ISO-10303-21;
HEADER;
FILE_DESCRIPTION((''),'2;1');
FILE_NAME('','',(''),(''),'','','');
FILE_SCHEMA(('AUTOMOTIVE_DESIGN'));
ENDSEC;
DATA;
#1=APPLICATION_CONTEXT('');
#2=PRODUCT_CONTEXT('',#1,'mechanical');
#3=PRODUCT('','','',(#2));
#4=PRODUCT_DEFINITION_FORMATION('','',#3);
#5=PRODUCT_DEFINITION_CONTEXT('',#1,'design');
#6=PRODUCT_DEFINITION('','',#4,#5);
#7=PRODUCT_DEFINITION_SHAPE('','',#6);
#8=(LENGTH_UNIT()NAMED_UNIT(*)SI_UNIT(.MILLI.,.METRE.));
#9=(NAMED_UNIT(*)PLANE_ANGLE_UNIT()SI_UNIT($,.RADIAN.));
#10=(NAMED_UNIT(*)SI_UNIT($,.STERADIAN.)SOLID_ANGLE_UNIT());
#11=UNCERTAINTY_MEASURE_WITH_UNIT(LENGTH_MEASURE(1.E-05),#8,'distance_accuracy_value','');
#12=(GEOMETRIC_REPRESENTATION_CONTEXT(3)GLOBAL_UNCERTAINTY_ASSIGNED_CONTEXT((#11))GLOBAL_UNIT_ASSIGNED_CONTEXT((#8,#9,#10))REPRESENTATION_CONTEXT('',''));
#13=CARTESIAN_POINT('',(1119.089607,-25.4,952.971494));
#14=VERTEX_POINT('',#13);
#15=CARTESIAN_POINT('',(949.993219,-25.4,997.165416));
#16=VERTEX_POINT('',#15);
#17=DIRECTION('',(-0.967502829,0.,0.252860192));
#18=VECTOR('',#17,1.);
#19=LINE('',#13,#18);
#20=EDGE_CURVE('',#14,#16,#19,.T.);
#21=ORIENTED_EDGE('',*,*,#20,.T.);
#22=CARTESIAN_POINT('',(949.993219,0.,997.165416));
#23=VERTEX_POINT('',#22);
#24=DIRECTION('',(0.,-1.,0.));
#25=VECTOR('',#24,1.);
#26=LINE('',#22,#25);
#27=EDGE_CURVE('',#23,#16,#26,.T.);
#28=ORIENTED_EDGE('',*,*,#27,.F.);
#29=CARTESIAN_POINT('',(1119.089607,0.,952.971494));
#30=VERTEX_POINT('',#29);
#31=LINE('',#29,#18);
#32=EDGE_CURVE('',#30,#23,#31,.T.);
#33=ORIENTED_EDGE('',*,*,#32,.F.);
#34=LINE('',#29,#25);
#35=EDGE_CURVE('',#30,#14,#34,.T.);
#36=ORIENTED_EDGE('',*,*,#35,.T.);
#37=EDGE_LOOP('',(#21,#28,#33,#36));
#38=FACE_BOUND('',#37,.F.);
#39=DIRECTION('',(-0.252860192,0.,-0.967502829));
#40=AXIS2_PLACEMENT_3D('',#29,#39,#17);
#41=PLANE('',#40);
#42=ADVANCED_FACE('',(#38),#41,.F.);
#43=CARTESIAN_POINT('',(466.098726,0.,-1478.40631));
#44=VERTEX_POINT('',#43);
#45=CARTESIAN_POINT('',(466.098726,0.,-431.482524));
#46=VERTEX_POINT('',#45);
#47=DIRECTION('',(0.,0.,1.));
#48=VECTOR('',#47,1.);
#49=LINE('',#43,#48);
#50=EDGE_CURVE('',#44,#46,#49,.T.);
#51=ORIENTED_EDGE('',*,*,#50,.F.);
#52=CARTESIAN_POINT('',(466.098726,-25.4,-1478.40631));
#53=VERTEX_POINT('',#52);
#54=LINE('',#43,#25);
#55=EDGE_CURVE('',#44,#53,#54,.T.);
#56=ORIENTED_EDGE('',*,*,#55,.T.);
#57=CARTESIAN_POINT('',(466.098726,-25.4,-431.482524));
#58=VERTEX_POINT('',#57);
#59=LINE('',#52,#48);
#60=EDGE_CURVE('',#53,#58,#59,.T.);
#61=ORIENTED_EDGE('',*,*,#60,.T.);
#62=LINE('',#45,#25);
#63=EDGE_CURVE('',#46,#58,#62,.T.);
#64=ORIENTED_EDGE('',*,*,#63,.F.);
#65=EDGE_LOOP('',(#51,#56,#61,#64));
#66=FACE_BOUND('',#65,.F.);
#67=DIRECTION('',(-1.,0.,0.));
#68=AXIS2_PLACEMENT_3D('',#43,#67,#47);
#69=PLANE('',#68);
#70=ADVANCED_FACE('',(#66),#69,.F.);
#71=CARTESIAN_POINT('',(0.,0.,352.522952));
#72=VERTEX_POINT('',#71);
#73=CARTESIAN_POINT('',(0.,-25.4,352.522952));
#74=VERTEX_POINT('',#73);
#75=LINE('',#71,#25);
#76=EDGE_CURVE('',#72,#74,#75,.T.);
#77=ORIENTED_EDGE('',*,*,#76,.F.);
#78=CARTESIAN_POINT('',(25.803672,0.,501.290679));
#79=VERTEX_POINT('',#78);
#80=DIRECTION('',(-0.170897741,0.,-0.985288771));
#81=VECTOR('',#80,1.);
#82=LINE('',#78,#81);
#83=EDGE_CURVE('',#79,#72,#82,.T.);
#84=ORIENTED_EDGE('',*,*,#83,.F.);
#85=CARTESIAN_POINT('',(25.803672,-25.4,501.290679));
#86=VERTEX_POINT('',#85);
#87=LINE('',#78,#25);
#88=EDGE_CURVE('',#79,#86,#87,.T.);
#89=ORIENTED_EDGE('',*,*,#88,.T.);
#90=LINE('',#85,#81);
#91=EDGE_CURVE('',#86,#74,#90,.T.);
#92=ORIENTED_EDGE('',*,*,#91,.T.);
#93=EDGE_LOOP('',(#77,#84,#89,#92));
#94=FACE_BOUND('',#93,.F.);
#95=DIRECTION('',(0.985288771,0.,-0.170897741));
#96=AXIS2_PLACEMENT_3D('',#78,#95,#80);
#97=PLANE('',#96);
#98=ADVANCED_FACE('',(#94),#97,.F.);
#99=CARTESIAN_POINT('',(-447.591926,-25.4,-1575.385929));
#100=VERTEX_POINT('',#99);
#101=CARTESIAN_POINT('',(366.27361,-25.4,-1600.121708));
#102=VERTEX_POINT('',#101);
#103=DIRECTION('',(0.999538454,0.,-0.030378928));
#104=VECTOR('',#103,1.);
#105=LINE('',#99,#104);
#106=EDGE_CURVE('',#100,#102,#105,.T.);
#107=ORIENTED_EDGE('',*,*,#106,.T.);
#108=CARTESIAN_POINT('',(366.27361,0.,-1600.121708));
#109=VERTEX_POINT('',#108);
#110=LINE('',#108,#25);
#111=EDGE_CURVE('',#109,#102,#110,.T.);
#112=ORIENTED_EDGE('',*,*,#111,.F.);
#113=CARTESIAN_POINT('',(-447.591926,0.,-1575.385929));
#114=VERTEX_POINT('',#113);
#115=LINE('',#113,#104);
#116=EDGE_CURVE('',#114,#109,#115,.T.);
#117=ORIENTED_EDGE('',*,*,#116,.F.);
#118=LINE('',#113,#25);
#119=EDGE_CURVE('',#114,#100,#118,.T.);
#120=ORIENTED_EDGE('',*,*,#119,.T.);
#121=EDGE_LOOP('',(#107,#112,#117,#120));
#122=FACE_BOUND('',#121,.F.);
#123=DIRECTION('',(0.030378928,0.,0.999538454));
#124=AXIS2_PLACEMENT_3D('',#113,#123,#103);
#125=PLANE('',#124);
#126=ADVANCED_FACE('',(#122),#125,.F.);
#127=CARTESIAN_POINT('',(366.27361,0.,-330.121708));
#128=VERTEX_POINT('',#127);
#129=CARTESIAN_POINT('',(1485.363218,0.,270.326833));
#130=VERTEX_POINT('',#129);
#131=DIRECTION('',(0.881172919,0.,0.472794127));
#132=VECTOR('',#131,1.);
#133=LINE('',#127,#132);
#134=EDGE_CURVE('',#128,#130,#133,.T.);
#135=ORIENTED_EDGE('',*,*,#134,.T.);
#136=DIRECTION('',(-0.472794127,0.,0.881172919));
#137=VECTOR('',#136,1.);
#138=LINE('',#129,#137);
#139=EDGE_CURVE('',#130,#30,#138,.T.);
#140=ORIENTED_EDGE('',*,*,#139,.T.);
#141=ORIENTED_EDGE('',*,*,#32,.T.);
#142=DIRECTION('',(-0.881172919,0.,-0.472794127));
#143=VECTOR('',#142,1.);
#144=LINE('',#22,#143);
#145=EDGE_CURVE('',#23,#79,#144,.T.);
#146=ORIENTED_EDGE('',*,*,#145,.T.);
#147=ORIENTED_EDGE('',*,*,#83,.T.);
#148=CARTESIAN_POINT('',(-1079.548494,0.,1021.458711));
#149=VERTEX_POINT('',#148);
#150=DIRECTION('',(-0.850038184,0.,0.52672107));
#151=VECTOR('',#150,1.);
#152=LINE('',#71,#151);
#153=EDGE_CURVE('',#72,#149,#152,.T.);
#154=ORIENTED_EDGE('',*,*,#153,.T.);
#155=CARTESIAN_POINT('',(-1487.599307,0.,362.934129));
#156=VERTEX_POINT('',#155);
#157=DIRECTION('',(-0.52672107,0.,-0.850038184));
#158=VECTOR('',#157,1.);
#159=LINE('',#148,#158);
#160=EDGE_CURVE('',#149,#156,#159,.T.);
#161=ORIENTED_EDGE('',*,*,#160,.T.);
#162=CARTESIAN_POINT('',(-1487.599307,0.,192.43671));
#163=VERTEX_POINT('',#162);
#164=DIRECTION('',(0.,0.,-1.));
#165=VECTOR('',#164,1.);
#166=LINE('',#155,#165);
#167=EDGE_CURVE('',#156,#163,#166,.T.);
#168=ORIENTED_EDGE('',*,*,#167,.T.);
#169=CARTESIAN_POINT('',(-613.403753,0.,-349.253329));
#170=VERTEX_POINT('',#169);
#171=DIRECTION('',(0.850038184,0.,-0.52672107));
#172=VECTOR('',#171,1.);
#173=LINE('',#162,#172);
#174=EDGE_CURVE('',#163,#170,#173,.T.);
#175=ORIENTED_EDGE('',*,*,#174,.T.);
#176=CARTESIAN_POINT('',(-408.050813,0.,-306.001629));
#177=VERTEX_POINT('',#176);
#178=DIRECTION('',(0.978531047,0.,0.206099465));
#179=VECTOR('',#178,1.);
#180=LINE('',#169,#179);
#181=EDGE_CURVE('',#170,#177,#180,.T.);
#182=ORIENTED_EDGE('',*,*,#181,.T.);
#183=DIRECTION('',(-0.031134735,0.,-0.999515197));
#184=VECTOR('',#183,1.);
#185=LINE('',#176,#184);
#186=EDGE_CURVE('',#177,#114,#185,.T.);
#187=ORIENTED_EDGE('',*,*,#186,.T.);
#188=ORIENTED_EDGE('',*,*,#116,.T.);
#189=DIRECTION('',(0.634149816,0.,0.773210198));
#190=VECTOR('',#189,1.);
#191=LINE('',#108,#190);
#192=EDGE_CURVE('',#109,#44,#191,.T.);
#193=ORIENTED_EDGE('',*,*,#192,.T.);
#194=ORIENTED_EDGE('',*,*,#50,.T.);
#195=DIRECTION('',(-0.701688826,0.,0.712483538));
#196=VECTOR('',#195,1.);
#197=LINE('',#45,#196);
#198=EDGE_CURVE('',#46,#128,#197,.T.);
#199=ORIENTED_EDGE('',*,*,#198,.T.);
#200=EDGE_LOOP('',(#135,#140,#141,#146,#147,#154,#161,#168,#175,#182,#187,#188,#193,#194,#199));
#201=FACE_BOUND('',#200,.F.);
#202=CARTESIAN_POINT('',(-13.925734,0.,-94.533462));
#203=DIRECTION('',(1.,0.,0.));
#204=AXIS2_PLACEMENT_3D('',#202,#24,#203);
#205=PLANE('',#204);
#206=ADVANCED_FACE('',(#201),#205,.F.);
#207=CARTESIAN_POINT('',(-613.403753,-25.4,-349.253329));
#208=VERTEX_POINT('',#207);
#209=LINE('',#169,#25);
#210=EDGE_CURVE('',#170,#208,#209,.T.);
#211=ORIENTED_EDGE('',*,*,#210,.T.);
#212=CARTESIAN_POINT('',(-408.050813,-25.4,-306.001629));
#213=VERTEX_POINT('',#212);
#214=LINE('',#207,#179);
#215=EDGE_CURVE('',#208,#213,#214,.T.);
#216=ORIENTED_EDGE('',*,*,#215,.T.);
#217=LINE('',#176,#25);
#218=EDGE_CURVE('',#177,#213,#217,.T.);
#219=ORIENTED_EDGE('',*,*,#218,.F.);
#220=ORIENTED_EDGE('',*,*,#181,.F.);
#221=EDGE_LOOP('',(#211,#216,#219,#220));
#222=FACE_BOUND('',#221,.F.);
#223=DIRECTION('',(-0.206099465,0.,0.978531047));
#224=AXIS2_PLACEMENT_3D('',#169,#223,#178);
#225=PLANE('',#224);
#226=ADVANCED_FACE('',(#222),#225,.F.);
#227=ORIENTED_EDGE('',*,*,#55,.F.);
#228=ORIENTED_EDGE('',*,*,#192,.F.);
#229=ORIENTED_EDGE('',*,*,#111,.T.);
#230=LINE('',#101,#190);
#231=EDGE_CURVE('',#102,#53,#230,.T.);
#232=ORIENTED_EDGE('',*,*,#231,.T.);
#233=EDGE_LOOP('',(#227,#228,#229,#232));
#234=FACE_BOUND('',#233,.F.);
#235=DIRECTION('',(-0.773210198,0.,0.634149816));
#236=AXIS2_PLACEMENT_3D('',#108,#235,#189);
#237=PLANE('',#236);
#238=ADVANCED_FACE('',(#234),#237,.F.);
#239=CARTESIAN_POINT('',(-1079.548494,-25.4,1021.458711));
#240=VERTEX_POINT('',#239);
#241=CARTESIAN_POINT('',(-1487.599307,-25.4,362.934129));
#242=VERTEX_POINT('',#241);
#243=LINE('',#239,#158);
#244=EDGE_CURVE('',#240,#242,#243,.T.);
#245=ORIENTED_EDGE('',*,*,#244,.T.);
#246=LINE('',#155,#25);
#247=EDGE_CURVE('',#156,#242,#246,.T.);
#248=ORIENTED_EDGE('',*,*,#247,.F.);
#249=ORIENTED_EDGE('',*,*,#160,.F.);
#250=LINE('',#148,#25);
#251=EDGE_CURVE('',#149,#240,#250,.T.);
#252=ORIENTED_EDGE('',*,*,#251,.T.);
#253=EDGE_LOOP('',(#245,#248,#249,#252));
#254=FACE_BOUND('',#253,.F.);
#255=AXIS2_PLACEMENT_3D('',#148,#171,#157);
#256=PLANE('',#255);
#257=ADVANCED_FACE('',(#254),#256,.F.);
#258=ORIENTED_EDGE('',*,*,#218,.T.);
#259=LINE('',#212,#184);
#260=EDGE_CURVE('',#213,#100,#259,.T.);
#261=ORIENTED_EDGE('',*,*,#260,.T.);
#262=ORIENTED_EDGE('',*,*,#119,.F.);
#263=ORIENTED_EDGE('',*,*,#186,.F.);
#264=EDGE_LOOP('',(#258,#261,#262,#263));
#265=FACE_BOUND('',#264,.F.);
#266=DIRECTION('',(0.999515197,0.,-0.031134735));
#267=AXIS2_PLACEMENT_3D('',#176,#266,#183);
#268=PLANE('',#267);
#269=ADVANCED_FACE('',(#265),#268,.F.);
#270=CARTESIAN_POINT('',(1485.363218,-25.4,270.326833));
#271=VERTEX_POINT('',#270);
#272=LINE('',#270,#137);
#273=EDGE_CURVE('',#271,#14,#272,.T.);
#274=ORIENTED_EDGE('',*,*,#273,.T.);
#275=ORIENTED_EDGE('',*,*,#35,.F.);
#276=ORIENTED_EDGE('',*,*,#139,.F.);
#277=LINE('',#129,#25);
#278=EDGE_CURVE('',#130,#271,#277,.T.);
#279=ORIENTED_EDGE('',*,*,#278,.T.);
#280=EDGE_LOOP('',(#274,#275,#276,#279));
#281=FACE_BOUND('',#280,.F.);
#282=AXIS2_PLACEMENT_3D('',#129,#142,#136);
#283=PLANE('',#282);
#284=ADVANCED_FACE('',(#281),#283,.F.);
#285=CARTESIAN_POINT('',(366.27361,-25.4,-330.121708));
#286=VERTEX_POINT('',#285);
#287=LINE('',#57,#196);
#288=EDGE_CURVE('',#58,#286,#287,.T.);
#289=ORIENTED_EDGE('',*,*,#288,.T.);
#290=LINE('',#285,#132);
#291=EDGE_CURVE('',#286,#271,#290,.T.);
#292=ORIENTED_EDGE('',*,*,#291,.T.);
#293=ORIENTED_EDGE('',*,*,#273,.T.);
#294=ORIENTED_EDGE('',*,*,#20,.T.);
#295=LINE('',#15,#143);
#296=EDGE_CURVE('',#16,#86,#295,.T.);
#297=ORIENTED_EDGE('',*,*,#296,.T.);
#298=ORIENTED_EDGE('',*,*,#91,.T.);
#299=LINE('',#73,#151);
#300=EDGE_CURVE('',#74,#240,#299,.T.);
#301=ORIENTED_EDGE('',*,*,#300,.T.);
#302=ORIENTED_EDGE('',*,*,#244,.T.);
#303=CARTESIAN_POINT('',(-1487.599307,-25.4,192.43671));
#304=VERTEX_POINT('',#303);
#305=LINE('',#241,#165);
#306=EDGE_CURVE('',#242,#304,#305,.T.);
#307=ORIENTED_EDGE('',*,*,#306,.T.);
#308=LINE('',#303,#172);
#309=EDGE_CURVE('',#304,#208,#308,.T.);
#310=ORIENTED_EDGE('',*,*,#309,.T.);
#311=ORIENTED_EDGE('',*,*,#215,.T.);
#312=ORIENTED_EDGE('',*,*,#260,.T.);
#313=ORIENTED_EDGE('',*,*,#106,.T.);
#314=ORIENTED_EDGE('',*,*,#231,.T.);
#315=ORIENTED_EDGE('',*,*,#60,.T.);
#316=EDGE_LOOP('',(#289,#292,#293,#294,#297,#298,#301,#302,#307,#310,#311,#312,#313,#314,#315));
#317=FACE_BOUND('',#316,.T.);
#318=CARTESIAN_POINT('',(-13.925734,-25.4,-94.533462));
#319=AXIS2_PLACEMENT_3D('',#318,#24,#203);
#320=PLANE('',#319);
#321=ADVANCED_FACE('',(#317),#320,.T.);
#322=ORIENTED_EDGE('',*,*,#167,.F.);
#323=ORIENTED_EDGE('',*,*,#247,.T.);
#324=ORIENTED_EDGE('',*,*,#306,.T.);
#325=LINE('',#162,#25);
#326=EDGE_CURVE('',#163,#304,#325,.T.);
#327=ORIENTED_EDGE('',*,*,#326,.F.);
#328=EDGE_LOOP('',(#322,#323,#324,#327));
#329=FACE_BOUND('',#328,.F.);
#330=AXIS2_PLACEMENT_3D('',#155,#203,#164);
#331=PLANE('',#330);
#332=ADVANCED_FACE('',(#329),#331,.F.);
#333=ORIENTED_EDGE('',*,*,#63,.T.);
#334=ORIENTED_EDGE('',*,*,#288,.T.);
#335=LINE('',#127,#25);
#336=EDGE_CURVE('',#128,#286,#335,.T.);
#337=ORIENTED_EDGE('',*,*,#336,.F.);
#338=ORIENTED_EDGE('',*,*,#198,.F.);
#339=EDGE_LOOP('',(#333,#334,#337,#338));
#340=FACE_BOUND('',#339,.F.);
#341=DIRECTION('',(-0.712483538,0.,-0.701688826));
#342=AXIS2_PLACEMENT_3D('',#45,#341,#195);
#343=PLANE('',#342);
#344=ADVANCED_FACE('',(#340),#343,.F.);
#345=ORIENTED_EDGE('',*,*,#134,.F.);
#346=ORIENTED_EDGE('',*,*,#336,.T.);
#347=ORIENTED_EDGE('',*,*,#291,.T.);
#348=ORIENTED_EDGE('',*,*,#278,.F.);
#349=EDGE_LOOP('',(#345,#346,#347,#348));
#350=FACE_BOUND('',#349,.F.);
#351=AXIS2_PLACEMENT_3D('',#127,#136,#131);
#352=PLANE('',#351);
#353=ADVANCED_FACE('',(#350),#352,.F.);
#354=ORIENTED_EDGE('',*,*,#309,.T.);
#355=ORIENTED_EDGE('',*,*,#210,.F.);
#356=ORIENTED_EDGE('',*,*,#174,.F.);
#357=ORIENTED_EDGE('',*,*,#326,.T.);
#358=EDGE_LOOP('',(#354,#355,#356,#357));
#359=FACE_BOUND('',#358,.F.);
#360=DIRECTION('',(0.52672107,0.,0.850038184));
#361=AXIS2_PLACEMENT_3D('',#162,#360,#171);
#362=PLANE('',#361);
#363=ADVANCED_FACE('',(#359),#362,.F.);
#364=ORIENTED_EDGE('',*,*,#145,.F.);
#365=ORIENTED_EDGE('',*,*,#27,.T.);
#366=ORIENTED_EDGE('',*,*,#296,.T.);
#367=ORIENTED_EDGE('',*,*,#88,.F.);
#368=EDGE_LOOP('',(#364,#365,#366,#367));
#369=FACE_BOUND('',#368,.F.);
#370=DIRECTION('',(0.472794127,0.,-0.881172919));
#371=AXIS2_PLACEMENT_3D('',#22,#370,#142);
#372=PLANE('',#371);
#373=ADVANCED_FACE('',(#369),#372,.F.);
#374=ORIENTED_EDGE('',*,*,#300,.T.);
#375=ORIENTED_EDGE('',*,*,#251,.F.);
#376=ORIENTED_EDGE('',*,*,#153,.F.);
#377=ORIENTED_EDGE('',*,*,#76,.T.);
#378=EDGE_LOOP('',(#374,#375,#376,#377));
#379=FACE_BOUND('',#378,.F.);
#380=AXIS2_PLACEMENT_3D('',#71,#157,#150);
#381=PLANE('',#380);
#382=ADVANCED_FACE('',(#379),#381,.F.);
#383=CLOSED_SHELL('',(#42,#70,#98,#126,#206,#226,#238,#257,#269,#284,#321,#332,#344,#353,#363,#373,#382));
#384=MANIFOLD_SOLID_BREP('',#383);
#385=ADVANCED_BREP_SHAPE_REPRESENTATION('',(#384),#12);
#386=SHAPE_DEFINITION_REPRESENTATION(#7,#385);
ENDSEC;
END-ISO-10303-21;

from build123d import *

# Parameters (mm, degrees)
F1_DEPTH = 25.4


with BuildPart() as f1:
    # F0 (on Front) → F1 (new body)
    with BuildSketch(Plane.XZ):
        Polygon((366.2736102042, -330.1217082712), (0, 352.5229521987), (-408.0508126226, -306.0016292089), align=None)
        Polygon((1119.0896073276, 952.971493517), (0, 352.5229521987), (366.2736102042, -330.1217082712), (1485.3632175318, 270.3268330471), align=None)
        Polygon((25.8036721498, 501.290678978), (0, 352.5229521987), (1119.0896073276, 952.971493517), (949.9932185284, 997.1654162565), align=None)
        Polygon((-408.0508126226, -306.0016292089), (0, 352.5229521987), (-1079.5484941108, 1021.4587105964), (-1487.5993067334, 362.9341291888), align=None)
        Polygon((-613.4037528071, -349.2533289781), (-408.0508126226, -306.0016292089), (-1487.5993067334, 362.9341291888), (-1487.5993067334, 192.43671), align=None)
        Polygon((366.2736102042, -330.1217082712), (-408.0508126226, -306.0016292089), (-447.5919258394, -1575.385928925), (366.2736102042, -1600.1217082712), align=None)
        Polygon((466.0987257957, -431.4825236797), (366.2736102042, -330.1217082712), (366.2736102042, -1600.1217082712), (466.0987257957, -1478.4063100815), align=None)
    extrude(amount=F1_DEPTH)


solid = f1.part
